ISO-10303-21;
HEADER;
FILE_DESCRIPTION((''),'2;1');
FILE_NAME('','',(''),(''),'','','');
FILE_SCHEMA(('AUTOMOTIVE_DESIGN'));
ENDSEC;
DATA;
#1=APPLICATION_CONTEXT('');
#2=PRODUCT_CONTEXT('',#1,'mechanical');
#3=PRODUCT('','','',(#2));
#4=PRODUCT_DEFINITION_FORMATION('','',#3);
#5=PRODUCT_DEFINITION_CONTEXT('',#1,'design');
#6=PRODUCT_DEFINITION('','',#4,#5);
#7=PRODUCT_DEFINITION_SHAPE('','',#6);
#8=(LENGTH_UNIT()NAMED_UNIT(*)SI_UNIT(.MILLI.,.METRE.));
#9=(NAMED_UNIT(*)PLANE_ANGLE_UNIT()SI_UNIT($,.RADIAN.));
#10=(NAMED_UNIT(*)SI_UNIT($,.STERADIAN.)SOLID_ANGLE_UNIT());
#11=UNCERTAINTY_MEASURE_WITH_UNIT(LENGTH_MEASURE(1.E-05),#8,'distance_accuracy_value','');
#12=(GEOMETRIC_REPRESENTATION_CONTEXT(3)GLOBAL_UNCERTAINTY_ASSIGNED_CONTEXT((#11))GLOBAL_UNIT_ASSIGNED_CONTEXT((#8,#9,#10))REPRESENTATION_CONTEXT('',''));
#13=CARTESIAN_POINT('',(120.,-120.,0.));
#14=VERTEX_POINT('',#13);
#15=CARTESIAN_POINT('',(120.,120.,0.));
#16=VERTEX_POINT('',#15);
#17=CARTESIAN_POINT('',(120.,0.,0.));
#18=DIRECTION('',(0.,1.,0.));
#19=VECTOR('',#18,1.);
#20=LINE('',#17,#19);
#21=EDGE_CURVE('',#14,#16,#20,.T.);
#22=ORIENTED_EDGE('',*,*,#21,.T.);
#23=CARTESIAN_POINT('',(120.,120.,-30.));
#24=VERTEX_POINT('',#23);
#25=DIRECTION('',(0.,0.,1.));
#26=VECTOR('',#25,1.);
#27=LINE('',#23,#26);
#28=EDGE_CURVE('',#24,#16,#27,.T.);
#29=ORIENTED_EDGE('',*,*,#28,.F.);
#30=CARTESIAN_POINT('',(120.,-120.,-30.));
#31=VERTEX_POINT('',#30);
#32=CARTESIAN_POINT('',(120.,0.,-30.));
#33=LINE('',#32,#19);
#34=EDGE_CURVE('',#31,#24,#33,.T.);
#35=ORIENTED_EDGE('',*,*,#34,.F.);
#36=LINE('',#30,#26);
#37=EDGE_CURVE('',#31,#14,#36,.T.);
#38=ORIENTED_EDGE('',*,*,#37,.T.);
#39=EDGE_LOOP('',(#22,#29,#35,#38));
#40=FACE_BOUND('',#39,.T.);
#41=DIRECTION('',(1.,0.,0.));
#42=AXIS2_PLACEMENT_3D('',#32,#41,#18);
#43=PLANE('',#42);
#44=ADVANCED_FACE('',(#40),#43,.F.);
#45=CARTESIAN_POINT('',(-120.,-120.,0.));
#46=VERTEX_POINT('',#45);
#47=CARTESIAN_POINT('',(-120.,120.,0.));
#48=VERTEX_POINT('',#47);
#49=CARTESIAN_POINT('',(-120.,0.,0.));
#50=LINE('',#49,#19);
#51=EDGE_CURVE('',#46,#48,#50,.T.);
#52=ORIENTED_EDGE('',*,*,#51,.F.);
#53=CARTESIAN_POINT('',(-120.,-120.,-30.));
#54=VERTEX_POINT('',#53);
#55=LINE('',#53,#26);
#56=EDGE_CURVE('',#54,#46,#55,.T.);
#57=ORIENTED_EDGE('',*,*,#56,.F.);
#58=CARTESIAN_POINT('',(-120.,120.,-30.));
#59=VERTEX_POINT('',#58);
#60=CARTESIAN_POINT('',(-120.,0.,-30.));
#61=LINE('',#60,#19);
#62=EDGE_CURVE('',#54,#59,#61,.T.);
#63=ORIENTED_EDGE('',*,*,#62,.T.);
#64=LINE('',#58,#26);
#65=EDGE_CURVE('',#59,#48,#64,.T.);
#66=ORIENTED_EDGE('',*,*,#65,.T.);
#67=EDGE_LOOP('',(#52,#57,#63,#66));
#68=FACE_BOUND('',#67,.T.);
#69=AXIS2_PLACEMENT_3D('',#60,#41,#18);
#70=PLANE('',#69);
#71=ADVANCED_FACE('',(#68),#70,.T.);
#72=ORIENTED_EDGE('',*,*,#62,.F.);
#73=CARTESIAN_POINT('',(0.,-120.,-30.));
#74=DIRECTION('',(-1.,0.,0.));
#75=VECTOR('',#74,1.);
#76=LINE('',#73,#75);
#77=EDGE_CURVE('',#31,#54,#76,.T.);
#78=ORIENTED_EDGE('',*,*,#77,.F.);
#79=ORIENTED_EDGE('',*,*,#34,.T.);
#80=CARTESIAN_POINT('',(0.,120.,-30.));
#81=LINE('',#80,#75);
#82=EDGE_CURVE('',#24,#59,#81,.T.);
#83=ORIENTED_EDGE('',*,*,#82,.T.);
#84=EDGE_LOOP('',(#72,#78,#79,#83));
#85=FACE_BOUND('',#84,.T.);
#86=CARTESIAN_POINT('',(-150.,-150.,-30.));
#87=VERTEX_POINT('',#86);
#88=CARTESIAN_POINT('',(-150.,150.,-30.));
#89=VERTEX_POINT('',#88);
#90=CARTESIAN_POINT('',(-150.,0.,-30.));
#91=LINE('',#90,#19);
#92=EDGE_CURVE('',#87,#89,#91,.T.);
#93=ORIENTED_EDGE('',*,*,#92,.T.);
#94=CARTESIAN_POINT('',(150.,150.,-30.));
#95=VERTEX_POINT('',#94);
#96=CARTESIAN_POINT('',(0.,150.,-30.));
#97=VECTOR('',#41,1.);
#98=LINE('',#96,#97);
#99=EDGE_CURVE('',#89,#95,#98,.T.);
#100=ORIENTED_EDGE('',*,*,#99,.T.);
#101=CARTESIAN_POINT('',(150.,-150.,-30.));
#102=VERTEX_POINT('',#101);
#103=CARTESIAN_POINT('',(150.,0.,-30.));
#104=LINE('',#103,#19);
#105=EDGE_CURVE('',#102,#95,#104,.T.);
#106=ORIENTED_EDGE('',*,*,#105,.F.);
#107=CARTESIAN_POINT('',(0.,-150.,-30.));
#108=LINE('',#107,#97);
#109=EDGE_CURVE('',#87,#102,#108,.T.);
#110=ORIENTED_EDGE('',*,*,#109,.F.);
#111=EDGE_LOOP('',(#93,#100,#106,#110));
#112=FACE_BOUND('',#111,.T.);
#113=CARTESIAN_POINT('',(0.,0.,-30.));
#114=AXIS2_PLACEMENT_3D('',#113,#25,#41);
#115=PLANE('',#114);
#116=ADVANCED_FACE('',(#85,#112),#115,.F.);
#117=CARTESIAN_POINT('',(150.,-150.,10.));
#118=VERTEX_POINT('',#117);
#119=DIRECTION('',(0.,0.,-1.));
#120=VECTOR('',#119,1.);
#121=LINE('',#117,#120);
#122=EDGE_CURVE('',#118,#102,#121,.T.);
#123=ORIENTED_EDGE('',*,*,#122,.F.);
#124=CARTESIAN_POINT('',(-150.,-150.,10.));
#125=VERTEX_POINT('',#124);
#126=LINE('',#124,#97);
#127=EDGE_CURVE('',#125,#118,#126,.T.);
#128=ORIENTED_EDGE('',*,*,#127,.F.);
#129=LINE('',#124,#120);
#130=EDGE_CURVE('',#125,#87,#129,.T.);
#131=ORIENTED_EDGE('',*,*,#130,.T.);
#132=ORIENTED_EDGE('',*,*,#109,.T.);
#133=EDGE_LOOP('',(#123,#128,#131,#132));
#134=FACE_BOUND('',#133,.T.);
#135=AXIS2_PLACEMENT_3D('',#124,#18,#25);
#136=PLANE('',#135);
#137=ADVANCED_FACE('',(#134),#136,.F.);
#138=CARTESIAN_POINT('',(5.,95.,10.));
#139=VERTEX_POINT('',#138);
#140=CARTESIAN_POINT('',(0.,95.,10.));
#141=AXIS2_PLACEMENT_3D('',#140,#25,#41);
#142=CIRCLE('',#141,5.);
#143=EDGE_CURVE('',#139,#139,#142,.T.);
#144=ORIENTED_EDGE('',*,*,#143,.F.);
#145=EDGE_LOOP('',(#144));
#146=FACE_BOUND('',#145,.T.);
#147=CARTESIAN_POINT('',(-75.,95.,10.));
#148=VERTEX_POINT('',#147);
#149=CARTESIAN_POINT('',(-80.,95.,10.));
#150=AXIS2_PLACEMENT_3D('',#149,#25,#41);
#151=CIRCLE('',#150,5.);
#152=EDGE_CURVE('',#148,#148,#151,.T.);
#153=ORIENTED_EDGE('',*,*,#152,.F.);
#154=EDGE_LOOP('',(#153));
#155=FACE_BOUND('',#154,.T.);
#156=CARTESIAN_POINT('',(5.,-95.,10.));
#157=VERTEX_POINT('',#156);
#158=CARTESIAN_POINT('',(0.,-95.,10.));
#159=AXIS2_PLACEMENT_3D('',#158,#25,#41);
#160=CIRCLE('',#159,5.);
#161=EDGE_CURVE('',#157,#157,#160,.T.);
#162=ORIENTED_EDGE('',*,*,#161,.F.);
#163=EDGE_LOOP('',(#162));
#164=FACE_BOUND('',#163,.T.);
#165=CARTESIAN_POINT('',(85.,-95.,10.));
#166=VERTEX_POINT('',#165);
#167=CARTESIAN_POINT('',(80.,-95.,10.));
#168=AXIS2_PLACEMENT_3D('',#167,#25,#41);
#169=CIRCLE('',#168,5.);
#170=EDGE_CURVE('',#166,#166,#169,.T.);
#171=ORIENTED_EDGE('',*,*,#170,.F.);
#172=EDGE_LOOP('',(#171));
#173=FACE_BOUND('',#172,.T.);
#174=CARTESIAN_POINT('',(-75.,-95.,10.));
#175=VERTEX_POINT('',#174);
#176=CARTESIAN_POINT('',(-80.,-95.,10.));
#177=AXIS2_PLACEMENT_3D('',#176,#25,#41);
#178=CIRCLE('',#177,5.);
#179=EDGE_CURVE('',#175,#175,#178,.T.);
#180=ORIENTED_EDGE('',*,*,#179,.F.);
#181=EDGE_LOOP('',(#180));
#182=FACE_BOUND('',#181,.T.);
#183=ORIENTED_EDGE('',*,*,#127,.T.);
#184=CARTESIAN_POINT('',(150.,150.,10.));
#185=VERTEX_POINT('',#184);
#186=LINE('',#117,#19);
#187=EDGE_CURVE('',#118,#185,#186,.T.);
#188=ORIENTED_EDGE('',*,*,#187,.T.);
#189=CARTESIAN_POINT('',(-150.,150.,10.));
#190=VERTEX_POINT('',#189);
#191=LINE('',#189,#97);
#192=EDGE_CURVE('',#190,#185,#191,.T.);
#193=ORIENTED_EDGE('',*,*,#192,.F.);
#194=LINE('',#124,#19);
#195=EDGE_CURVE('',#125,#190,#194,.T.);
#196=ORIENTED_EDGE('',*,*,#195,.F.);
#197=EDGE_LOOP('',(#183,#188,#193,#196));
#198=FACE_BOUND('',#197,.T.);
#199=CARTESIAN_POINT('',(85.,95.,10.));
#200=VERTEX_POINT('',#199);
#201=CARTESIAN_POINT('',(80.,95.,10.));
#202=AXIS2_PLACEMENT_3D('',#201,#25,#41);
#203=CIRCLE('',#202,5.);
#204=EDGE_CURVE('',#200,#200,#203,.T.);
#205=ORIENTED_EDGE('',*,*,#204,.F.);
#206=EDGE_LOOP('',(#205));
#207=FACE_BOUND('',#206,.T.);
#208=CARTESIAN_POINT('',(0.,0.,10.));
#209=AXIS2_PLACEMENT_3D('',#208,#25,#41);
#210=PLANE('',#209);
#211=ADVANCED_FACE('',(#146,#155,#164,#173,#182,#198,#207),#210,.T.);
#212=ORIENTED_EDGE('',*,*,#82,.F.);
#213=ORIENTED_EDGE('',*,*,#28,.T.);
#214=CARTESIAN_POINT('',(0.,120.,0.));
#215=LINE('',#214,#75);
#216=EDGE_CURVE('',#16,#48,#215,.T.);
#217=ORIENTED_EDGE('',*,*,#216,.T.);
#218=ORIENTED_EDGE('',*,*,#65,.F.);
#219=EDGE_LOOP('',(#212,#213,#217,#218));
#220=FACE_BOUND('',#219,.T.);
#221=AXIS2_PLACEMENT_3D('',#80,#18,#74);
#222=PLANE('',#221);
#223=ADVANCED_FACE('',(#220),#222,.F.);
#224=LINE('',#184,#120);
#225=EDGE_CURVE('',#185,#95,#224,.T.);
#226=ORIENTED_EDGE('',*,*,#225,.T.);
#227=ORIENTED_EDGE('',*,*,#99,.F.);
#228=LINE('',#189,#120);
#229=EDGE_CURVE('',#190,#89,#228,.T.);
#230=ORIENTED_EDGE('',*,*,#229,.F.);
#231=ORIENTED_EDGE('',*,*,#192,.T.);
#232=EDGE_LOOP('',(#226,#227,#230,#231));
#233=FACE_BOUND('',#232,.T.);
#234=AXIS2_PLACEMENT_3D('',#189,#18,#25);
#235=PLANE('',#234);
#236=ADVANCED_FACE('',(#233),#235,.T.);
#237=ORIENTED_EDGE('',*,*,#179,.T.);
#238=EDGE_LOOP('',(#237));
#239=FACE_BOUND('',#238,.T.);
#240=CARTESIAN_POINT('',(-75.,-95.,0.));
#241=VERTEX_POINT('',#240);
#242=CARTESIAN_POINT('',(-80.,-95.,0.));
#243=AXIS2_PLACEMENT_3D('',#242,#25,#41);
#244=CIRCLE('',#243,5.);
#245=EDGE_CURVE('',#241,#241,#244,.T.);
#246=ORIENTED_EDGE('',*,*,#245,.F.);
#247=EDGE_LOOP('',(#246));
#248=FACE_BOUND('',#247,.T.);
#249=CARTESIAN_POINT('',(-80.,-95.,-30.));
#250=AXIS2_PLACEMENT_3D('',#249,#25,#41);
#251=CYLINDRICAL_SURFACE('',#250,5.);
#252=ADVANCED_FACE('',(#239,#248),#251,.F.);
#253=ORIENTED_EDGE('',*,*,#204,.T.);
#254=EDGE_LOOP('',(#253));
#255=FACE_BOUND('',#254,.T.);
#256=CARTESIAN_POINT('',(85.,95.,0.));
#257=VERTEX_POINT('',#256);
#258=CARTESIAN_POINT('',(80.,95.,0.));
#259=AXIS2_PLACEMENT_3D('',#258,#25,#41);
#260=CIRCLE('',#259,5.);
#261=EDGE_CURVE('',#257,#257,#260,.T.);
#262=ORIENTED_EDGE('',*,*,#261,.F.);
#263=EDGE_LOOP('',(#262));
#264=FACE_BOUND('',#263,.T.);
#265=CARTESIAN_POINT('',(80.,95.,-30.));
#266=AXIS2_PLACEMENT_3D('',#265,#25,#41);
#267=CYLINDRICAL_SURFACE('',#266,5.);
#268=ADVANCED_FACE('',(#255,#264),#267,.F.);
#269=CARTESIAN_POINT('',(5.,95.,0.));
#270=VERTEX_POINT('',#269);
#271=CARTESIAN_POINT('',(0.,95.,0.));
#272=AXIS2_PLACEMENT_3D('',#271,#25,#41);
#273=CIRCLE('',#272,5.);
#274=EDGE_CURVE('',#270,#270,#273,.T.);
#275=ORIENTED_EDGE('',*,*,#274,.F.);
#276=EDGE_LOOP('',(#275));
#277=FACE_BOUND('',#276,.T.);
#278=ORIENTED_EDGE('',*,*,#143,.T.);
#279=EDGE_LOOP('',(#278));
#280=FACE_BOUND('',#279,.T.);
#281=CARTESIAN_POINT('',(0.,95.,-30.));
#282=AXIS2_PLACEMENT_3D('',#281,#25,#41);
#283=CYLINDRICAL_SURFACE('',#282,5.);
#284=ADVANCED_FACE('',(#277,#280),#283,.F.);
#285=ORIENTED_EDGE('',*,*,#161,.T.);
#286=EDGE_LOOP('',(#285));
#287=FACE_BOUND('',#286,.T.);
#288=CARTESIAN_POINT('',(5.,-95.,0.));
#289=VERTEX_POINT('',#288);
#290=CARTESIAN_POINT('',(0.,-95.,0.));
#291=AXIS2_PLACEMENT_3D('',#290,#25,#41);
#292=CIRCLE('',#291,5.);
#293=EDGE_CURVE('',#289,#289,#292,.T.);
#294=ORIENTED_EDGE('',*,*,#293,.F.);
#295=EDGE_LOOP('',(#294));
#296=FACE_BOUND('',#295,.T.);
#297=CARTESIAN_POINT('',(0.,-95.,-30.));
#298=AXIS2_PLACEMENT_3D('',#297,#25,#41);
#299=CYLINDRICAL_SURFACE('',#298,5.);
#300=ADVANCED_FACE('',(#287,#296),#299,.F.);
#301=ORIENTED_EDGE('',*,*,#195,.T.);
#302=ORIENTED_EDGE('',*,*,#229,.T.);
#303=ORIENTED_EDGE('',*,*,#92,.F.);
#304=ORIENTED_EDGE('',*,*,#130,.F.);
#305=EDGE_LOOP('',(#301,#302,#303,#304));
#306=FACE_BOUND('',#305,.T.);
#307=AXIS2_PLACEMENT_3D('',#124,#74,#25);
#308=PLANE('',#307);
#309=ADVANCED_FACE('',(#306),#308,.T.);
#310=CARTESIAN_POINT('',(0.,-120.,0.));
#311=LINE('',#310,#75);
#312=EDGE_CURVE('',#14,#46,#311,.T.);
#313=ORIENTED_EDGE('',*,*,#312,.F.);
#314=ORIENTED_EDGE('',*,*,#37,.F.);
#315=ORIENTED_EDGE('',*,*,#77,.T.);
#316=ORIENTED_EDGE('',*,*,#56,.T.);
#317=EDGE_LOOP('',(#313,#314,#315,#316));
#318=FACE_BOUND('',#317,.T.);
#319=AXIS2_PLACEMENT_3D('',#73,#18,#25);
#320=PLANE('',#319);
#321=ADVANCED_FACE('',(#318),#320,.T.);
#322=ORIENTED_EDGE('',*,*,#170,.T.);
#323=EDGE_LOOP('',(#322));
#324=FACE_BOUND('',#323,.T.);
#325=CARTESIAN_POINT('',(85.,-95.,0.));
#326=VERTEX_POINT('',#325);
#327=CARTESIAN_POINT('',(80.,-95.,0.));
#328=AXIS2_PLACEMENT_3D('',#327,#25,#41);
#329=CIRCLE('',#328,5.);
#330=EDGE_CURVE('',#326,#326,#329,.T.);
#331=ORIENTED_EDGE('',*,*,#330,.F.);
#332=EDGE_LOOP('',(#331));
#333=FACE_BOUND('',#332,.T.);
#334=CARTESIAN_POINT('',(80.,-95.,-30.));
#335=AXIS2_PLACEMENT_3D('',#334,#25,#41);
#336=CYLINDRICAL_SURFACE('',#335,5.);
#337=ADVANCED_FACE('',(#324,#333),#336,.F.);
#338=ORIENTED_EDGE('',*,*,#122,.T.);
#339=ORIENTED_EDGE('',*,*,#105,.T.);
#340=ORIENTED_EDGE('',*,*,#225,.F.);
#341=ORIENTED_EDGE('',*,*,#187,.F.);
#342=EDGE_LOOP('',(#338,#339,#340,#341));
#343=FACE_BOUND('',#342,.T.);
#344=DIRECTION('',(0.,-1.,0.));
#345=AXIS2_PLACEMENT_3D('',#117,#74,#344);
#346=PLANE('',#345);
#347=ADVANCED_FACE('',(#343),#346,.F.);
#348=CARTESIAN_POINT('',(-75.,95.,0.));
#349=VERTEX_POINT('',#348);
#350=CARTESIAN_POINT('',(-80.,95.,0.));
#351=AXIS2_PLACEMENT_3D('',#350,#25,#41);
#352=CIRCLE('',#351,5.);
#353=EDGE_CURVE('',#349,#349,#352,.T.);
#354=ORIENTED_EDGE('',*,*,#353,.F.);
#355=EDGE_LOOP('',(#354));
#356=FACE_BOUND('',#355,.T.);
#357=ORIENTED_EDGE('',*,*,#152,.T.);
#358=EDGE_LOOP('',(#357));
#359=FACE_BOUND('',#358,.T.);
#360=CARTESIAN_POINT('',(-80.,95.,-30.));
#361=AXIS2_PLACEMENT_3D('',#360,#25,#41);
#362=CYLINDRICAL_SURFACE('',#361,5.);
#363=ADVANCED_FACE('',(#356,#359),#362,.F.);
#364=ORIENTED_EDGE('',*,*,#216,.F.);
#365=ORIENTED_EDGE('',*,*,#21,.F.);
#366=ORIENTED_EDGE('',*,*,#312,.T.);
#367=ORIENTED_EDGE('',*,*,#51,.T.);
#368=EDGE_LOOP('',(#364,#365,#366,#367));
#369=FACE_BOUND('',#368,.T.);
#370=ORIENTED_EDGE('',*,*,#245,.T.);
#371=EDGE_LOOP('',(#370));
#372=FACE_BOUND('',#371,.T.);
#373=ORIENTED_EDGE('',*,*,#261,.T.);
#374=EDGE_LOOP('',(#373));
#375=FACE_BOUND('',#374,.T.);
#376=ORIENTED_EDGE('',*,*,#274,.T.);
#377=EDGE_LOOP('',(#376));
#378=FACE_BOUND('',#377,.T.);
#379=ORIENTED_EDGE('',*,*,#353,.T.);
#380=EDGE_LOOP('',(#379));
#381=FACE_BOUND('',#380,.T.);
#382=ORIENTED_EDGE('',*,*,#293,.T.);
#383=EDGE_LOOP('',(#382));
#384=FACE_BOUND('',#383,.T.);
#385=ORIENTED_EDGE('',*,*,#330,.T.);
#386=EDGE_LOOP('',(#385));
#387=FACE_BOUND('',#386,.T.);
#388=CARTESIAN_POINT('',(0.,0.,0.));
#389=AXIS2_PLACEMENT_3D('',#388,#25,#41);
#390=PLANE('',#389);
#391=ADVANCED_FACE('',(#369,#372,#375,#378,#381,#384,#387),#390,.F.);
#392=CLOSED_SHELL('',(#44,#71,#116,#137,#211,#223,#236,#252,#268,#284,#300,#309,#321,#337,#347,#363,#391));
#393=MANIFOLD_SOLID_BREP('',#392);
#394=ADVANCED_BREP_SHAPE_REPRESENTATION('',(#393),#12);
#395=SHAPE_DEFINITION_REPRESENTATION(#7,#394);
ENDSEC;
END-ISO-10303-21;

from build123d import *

# Parameters (mm, degrees)
SKETCH1_W               = 300
SKETCH1_H               = 300
BOSS_EXTRUDE1_DEPTH     = 10
BOSS_EXTRUDE4_DEPTH     = 30
CUT_EXTRUDE2_DEPTH      = 215.242852856
CUT_EXTRUDE2_DEPTH_BACK = 215.242852856
SKETCH1_11_R            = 5


with BuildPart() as part:
    # Sketch1 → Boss-Extrude1 (new body)
    with BuildSketch(Plane.XY):
        Rectangle(SKETCH1_W, SKETCH1_H)
    extrude(amount=BOSS_EXTRUDE1_DEPTH)

    # Sketch1<6> → Boss-Extrude4 (add)
    with BuildSketch(Plane.XY):
        Polygon((-120, 150), (-150, 150), (-150, -150), (150, -150), (150, 150), align=None)
        Polygon((120, 0), (120, -120), (0, -120), (-120, -120), (-120, 120), (-55.80388173, 120), (0, 120), (120, 120), align=None, mode=Mode.SUBTRACT)
    extrude(amount=-BOSS_EXTRUDE4_DEPTH)

    # Sketch1<11> → Cut-Extrude2 (cut, two sides: drawn at the far end of the back side and taken through both)
    with BuildSketch(Plane.XY.offset(-CUT_EXTRUDE2_DEPTH_BACK)):
        with Locations((80, 95)):
            Circle(SKETCH1_11_R)
        with Locations((-80, 95)):
            Circle(SKETCH1_11_R)
        with Locations((0, 95)):
            Circle(SKETCH1_11_R)
        with Locations((-80, -95)):
            Circle(SKETCH1_11_R)
        with Locations((80, -95)):
            Circle(SKETCH1_11_R)
        with Locations((0, -95)):
            Circle(SKETCH1_11_R)
    extrude(amount=CUT_EXTRUDE2_DEPTH + CUT_EXTRUDE2_DEPTH_BACK, mode=Mode.SUBTRACT)


solid = part.part
